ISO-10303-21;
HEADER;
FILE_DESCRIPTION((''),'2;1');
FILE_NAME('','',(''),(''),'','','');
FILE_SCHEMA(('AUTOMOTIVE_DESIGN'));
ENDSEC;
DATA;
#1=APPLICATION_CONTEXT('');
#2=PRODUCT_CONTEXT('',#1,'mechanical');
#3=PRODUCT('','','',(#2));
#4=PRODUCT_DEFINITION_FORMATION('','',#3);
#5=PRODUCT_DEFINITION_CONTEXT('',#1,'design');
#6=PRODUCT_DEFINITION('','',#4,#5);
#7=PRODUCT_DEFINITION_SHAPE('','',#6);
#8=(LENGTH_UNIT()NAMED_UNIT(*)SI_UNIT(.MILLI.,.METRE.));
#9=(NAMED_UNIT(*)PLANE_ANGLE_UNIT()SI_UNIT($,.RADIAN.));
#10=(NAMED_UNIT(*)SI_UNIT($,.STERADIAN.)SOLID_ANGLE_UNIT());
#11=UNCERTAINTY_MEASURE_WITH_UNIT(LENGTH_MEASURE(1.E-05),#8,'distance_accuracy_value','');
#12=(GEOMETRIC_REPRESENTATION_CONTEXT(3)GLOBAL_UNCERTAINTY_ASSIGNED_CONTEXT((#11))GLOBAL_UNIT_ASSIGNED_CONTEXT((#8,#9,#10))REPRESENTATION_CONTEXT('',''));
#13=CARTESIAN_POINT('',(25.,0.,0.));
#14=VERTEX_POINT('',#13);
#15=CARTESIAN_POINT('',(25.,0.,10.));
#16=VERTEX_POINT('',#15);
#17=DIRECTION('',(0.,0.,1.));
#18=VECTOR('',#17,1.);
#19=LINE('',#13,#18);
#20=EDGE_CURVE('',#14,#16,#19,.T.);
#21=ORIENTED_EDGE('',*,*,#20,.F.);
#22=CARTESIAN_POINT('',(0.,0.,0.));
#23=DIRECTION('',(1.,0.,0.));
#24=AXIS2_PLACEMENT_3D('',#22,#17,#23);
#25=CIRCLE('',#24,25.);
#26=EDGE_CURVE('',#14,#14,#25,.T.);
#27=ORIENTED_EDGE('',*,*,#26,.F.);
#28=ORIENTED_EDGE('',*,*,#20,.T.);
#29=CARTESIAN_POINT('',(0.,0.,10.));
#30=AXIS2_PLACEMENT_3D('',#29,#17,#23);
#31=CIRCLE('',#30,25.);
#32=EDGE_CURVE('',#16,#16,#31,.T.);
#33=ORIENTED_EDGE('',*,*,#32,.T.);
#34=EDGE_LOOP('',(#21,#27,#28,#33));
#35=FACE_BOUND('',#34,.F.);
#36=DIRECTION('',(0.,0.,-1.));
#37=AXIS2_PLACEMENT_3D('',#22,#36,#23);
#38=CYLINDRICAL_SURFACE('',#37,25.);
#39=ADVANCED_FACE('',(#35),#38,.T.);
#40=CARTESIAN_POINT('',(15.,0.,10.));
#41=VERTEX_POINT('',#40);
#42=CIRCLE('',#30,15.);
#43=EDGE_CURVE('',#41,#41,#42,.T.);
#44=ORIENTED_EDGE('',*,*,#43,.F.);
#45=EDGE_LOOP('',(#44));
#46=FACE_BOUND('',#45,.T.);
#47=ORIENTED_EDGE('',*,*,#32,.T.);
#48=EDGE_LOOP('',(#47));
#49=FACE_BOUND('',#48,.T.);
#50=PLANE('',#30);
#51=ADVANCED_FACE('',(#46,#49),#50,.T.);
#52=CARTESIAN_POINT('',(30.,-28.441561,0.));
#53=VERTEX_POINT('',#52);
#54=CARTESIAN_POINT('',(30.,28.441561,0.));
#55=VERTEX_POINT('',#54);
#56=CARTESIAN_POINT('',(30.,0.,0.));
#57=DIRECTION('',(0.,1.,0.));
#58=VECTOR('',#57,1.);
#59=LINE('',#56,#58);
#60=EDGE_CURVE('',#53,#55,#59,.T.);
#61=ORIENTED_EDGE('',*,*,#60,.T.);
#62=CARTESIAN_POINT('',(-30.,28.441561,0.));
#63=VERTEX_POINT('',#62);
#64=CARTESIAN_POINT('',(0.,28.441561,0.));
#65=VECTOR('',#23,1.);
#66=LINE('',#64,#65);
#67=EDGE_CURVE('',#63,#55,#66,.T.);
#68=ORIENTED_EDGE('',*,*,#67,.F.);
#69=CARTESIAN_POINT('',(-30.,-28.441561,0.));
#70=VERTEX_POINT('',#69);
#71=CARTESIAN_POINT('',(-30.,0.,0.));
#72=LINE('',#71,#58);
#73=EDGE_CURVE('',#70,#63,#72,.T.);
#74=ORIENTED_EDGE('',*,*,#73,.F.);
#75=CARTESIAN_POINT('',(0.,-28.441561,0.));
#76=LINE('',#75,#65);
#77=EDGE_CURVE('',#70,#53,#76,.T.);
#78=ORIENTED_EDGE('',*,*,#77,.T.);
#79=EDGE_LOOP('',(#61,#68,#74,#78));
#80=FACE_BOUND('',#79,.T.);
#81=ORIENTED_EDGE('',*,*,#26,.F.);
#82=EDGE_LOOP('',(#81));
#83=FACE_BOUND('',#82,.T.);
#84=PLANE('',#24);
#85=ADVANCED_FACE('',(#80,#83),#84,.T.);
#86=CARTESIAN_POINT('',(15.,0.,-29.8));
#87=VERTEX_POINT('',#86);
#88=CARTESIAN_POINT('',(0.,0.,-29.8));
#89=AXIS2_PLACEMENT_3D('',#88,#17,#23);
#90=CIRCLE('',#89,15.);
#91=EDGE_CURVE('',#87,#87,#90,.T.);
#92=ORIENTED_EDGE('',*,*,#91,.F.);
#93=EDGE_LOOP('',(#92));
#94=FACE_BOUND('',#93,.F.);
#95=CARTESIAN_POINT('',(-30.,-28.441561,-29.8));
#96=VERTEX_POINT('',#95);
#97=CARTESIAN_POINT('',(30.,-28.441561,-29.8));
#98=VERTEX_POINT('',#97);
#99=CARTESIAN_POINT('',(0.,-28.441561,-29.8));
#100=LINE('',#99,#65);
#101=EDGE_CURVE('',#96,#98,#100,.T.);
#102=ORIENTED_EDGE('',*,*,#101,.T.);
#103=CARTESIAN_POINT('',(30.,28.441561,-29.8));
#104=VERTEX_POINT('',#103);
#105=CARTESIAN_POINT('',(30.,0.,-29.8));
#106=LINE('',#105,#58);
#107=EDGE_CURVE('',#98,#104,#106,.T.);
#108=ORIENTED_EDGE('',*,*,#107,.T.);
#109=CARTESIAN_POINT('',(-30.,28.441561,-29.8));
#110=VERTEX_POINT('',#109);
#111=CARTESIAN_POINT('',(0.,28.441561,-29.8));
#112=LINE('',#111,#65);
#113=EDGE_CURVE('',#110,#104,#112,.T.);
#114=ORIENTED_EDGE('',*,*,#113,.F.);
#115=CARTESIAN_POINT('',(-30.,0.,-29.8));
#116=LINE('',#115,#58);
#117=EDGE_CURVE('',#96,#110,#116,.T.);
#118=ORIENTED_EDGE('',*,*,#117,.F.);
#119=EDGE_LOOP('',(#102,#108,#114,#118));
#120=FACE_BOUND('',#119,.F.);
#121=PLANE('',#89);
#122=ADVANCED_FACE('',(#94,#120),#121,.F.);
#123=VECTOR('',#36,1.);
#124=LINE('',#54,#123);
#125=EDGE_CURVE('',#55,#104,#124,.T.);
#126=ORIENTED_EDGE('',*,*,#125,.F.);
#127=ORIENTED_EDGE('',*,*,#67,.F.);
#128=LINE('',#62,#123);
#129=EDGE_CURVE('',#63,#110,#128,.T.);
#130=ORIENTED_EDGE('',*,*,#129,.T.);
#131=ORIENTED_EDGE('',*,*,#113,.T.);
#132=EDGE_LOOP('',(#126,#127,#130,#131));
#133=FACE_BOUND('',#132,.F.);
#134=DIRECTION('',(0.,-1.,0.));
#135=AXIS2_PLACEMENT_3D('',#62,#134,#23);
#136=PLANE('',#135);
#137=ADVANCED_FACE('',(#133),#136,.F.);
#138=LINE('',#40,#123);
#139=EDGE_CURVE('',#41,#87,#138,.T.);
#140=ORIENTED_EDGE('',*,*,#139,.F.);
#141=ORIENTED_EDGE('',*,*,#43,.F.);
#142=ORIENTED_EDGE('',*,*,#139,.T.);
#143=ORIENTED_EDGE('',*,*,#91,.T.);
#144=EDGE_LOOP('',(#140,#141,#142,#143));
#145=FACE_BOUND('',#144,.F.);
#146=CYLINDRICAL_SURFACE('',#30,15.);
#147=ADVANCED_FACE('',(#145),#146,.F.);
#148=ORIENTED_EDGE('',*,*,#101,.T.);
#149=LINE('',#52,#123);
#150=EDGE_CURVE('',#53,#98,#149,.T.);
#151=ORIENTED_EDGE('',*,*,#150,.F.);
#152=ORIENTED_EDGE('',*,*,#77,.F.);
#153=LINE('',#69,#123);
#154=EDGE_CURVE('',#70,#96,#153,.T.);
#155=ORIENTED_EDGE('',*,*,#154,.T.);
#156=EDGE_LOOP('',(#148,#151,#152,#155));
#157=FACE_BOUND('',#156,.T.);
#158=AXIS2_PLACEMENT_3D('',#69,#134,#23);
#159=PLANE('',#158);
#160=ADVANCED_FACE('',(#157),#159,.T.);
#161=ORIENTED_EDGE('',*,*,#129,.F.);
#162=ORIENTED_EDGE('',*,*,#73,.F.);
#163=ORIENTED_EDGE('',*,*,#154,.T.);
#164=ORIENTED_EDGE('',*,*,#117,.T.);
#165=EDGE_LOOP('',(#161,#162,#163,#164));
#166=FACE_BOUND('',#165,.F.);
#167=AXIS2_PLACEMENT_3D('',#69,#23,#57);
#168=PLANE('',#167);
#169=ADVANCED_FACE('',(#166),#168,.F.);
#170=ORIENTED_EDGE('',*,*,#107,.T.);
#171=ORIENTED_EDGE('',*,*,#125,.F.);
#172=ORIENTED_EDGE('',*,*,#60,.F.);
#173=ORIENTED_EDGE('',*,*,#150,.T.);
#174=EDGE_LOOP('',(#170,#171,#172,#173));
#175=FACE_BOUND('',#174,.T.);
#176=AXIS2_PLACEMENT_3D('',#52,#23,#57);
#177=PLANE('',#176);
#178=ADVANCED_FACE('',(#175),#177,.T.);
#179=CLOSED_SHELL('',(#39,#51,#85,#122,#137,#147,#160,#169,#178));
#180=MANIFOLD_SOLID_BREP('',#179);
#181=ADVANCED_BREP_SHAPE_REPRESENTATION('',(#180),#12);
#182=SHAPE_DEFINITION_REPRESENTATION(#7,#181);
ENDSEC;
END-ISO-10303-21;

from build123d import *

# Parameters (mm, degrees)
F0_R      = 25
F1_DEPTH  = 10
F2_W      = 60
F2_H      = 56.883122
F1_FACE_R = 25
F3_DEPTH  = 29.8
F4_R      = 15
F5_DEPTH  = 47.7


with BuildPart() as f1:
    # F0 (on Top) → F1 (new body)
    with BuildSketch(Plane.XY):
        Circle(F0_R)
    extrude(amount=F1_DEPTH)

    # F2 (on Top) + F1_face (on face) → F3 (join)
    with BuildSketch(Plane.XY):
        Rectangle(F2_W, F2_H)
    with BuildSketch(Plane.XY.offset(10)):
        Circle(F1_FACE_R)
    extrude(amount=-F3_DEPTH)

    # F4 (on face) → F5 (cut)
    with BuildSketch(Plane.XY.offset(10)):
        Circle(F4_R)
    extrude(amount=-F5_DEPTH, mode=Mode.SUBTRACT)


solid = f1.part
